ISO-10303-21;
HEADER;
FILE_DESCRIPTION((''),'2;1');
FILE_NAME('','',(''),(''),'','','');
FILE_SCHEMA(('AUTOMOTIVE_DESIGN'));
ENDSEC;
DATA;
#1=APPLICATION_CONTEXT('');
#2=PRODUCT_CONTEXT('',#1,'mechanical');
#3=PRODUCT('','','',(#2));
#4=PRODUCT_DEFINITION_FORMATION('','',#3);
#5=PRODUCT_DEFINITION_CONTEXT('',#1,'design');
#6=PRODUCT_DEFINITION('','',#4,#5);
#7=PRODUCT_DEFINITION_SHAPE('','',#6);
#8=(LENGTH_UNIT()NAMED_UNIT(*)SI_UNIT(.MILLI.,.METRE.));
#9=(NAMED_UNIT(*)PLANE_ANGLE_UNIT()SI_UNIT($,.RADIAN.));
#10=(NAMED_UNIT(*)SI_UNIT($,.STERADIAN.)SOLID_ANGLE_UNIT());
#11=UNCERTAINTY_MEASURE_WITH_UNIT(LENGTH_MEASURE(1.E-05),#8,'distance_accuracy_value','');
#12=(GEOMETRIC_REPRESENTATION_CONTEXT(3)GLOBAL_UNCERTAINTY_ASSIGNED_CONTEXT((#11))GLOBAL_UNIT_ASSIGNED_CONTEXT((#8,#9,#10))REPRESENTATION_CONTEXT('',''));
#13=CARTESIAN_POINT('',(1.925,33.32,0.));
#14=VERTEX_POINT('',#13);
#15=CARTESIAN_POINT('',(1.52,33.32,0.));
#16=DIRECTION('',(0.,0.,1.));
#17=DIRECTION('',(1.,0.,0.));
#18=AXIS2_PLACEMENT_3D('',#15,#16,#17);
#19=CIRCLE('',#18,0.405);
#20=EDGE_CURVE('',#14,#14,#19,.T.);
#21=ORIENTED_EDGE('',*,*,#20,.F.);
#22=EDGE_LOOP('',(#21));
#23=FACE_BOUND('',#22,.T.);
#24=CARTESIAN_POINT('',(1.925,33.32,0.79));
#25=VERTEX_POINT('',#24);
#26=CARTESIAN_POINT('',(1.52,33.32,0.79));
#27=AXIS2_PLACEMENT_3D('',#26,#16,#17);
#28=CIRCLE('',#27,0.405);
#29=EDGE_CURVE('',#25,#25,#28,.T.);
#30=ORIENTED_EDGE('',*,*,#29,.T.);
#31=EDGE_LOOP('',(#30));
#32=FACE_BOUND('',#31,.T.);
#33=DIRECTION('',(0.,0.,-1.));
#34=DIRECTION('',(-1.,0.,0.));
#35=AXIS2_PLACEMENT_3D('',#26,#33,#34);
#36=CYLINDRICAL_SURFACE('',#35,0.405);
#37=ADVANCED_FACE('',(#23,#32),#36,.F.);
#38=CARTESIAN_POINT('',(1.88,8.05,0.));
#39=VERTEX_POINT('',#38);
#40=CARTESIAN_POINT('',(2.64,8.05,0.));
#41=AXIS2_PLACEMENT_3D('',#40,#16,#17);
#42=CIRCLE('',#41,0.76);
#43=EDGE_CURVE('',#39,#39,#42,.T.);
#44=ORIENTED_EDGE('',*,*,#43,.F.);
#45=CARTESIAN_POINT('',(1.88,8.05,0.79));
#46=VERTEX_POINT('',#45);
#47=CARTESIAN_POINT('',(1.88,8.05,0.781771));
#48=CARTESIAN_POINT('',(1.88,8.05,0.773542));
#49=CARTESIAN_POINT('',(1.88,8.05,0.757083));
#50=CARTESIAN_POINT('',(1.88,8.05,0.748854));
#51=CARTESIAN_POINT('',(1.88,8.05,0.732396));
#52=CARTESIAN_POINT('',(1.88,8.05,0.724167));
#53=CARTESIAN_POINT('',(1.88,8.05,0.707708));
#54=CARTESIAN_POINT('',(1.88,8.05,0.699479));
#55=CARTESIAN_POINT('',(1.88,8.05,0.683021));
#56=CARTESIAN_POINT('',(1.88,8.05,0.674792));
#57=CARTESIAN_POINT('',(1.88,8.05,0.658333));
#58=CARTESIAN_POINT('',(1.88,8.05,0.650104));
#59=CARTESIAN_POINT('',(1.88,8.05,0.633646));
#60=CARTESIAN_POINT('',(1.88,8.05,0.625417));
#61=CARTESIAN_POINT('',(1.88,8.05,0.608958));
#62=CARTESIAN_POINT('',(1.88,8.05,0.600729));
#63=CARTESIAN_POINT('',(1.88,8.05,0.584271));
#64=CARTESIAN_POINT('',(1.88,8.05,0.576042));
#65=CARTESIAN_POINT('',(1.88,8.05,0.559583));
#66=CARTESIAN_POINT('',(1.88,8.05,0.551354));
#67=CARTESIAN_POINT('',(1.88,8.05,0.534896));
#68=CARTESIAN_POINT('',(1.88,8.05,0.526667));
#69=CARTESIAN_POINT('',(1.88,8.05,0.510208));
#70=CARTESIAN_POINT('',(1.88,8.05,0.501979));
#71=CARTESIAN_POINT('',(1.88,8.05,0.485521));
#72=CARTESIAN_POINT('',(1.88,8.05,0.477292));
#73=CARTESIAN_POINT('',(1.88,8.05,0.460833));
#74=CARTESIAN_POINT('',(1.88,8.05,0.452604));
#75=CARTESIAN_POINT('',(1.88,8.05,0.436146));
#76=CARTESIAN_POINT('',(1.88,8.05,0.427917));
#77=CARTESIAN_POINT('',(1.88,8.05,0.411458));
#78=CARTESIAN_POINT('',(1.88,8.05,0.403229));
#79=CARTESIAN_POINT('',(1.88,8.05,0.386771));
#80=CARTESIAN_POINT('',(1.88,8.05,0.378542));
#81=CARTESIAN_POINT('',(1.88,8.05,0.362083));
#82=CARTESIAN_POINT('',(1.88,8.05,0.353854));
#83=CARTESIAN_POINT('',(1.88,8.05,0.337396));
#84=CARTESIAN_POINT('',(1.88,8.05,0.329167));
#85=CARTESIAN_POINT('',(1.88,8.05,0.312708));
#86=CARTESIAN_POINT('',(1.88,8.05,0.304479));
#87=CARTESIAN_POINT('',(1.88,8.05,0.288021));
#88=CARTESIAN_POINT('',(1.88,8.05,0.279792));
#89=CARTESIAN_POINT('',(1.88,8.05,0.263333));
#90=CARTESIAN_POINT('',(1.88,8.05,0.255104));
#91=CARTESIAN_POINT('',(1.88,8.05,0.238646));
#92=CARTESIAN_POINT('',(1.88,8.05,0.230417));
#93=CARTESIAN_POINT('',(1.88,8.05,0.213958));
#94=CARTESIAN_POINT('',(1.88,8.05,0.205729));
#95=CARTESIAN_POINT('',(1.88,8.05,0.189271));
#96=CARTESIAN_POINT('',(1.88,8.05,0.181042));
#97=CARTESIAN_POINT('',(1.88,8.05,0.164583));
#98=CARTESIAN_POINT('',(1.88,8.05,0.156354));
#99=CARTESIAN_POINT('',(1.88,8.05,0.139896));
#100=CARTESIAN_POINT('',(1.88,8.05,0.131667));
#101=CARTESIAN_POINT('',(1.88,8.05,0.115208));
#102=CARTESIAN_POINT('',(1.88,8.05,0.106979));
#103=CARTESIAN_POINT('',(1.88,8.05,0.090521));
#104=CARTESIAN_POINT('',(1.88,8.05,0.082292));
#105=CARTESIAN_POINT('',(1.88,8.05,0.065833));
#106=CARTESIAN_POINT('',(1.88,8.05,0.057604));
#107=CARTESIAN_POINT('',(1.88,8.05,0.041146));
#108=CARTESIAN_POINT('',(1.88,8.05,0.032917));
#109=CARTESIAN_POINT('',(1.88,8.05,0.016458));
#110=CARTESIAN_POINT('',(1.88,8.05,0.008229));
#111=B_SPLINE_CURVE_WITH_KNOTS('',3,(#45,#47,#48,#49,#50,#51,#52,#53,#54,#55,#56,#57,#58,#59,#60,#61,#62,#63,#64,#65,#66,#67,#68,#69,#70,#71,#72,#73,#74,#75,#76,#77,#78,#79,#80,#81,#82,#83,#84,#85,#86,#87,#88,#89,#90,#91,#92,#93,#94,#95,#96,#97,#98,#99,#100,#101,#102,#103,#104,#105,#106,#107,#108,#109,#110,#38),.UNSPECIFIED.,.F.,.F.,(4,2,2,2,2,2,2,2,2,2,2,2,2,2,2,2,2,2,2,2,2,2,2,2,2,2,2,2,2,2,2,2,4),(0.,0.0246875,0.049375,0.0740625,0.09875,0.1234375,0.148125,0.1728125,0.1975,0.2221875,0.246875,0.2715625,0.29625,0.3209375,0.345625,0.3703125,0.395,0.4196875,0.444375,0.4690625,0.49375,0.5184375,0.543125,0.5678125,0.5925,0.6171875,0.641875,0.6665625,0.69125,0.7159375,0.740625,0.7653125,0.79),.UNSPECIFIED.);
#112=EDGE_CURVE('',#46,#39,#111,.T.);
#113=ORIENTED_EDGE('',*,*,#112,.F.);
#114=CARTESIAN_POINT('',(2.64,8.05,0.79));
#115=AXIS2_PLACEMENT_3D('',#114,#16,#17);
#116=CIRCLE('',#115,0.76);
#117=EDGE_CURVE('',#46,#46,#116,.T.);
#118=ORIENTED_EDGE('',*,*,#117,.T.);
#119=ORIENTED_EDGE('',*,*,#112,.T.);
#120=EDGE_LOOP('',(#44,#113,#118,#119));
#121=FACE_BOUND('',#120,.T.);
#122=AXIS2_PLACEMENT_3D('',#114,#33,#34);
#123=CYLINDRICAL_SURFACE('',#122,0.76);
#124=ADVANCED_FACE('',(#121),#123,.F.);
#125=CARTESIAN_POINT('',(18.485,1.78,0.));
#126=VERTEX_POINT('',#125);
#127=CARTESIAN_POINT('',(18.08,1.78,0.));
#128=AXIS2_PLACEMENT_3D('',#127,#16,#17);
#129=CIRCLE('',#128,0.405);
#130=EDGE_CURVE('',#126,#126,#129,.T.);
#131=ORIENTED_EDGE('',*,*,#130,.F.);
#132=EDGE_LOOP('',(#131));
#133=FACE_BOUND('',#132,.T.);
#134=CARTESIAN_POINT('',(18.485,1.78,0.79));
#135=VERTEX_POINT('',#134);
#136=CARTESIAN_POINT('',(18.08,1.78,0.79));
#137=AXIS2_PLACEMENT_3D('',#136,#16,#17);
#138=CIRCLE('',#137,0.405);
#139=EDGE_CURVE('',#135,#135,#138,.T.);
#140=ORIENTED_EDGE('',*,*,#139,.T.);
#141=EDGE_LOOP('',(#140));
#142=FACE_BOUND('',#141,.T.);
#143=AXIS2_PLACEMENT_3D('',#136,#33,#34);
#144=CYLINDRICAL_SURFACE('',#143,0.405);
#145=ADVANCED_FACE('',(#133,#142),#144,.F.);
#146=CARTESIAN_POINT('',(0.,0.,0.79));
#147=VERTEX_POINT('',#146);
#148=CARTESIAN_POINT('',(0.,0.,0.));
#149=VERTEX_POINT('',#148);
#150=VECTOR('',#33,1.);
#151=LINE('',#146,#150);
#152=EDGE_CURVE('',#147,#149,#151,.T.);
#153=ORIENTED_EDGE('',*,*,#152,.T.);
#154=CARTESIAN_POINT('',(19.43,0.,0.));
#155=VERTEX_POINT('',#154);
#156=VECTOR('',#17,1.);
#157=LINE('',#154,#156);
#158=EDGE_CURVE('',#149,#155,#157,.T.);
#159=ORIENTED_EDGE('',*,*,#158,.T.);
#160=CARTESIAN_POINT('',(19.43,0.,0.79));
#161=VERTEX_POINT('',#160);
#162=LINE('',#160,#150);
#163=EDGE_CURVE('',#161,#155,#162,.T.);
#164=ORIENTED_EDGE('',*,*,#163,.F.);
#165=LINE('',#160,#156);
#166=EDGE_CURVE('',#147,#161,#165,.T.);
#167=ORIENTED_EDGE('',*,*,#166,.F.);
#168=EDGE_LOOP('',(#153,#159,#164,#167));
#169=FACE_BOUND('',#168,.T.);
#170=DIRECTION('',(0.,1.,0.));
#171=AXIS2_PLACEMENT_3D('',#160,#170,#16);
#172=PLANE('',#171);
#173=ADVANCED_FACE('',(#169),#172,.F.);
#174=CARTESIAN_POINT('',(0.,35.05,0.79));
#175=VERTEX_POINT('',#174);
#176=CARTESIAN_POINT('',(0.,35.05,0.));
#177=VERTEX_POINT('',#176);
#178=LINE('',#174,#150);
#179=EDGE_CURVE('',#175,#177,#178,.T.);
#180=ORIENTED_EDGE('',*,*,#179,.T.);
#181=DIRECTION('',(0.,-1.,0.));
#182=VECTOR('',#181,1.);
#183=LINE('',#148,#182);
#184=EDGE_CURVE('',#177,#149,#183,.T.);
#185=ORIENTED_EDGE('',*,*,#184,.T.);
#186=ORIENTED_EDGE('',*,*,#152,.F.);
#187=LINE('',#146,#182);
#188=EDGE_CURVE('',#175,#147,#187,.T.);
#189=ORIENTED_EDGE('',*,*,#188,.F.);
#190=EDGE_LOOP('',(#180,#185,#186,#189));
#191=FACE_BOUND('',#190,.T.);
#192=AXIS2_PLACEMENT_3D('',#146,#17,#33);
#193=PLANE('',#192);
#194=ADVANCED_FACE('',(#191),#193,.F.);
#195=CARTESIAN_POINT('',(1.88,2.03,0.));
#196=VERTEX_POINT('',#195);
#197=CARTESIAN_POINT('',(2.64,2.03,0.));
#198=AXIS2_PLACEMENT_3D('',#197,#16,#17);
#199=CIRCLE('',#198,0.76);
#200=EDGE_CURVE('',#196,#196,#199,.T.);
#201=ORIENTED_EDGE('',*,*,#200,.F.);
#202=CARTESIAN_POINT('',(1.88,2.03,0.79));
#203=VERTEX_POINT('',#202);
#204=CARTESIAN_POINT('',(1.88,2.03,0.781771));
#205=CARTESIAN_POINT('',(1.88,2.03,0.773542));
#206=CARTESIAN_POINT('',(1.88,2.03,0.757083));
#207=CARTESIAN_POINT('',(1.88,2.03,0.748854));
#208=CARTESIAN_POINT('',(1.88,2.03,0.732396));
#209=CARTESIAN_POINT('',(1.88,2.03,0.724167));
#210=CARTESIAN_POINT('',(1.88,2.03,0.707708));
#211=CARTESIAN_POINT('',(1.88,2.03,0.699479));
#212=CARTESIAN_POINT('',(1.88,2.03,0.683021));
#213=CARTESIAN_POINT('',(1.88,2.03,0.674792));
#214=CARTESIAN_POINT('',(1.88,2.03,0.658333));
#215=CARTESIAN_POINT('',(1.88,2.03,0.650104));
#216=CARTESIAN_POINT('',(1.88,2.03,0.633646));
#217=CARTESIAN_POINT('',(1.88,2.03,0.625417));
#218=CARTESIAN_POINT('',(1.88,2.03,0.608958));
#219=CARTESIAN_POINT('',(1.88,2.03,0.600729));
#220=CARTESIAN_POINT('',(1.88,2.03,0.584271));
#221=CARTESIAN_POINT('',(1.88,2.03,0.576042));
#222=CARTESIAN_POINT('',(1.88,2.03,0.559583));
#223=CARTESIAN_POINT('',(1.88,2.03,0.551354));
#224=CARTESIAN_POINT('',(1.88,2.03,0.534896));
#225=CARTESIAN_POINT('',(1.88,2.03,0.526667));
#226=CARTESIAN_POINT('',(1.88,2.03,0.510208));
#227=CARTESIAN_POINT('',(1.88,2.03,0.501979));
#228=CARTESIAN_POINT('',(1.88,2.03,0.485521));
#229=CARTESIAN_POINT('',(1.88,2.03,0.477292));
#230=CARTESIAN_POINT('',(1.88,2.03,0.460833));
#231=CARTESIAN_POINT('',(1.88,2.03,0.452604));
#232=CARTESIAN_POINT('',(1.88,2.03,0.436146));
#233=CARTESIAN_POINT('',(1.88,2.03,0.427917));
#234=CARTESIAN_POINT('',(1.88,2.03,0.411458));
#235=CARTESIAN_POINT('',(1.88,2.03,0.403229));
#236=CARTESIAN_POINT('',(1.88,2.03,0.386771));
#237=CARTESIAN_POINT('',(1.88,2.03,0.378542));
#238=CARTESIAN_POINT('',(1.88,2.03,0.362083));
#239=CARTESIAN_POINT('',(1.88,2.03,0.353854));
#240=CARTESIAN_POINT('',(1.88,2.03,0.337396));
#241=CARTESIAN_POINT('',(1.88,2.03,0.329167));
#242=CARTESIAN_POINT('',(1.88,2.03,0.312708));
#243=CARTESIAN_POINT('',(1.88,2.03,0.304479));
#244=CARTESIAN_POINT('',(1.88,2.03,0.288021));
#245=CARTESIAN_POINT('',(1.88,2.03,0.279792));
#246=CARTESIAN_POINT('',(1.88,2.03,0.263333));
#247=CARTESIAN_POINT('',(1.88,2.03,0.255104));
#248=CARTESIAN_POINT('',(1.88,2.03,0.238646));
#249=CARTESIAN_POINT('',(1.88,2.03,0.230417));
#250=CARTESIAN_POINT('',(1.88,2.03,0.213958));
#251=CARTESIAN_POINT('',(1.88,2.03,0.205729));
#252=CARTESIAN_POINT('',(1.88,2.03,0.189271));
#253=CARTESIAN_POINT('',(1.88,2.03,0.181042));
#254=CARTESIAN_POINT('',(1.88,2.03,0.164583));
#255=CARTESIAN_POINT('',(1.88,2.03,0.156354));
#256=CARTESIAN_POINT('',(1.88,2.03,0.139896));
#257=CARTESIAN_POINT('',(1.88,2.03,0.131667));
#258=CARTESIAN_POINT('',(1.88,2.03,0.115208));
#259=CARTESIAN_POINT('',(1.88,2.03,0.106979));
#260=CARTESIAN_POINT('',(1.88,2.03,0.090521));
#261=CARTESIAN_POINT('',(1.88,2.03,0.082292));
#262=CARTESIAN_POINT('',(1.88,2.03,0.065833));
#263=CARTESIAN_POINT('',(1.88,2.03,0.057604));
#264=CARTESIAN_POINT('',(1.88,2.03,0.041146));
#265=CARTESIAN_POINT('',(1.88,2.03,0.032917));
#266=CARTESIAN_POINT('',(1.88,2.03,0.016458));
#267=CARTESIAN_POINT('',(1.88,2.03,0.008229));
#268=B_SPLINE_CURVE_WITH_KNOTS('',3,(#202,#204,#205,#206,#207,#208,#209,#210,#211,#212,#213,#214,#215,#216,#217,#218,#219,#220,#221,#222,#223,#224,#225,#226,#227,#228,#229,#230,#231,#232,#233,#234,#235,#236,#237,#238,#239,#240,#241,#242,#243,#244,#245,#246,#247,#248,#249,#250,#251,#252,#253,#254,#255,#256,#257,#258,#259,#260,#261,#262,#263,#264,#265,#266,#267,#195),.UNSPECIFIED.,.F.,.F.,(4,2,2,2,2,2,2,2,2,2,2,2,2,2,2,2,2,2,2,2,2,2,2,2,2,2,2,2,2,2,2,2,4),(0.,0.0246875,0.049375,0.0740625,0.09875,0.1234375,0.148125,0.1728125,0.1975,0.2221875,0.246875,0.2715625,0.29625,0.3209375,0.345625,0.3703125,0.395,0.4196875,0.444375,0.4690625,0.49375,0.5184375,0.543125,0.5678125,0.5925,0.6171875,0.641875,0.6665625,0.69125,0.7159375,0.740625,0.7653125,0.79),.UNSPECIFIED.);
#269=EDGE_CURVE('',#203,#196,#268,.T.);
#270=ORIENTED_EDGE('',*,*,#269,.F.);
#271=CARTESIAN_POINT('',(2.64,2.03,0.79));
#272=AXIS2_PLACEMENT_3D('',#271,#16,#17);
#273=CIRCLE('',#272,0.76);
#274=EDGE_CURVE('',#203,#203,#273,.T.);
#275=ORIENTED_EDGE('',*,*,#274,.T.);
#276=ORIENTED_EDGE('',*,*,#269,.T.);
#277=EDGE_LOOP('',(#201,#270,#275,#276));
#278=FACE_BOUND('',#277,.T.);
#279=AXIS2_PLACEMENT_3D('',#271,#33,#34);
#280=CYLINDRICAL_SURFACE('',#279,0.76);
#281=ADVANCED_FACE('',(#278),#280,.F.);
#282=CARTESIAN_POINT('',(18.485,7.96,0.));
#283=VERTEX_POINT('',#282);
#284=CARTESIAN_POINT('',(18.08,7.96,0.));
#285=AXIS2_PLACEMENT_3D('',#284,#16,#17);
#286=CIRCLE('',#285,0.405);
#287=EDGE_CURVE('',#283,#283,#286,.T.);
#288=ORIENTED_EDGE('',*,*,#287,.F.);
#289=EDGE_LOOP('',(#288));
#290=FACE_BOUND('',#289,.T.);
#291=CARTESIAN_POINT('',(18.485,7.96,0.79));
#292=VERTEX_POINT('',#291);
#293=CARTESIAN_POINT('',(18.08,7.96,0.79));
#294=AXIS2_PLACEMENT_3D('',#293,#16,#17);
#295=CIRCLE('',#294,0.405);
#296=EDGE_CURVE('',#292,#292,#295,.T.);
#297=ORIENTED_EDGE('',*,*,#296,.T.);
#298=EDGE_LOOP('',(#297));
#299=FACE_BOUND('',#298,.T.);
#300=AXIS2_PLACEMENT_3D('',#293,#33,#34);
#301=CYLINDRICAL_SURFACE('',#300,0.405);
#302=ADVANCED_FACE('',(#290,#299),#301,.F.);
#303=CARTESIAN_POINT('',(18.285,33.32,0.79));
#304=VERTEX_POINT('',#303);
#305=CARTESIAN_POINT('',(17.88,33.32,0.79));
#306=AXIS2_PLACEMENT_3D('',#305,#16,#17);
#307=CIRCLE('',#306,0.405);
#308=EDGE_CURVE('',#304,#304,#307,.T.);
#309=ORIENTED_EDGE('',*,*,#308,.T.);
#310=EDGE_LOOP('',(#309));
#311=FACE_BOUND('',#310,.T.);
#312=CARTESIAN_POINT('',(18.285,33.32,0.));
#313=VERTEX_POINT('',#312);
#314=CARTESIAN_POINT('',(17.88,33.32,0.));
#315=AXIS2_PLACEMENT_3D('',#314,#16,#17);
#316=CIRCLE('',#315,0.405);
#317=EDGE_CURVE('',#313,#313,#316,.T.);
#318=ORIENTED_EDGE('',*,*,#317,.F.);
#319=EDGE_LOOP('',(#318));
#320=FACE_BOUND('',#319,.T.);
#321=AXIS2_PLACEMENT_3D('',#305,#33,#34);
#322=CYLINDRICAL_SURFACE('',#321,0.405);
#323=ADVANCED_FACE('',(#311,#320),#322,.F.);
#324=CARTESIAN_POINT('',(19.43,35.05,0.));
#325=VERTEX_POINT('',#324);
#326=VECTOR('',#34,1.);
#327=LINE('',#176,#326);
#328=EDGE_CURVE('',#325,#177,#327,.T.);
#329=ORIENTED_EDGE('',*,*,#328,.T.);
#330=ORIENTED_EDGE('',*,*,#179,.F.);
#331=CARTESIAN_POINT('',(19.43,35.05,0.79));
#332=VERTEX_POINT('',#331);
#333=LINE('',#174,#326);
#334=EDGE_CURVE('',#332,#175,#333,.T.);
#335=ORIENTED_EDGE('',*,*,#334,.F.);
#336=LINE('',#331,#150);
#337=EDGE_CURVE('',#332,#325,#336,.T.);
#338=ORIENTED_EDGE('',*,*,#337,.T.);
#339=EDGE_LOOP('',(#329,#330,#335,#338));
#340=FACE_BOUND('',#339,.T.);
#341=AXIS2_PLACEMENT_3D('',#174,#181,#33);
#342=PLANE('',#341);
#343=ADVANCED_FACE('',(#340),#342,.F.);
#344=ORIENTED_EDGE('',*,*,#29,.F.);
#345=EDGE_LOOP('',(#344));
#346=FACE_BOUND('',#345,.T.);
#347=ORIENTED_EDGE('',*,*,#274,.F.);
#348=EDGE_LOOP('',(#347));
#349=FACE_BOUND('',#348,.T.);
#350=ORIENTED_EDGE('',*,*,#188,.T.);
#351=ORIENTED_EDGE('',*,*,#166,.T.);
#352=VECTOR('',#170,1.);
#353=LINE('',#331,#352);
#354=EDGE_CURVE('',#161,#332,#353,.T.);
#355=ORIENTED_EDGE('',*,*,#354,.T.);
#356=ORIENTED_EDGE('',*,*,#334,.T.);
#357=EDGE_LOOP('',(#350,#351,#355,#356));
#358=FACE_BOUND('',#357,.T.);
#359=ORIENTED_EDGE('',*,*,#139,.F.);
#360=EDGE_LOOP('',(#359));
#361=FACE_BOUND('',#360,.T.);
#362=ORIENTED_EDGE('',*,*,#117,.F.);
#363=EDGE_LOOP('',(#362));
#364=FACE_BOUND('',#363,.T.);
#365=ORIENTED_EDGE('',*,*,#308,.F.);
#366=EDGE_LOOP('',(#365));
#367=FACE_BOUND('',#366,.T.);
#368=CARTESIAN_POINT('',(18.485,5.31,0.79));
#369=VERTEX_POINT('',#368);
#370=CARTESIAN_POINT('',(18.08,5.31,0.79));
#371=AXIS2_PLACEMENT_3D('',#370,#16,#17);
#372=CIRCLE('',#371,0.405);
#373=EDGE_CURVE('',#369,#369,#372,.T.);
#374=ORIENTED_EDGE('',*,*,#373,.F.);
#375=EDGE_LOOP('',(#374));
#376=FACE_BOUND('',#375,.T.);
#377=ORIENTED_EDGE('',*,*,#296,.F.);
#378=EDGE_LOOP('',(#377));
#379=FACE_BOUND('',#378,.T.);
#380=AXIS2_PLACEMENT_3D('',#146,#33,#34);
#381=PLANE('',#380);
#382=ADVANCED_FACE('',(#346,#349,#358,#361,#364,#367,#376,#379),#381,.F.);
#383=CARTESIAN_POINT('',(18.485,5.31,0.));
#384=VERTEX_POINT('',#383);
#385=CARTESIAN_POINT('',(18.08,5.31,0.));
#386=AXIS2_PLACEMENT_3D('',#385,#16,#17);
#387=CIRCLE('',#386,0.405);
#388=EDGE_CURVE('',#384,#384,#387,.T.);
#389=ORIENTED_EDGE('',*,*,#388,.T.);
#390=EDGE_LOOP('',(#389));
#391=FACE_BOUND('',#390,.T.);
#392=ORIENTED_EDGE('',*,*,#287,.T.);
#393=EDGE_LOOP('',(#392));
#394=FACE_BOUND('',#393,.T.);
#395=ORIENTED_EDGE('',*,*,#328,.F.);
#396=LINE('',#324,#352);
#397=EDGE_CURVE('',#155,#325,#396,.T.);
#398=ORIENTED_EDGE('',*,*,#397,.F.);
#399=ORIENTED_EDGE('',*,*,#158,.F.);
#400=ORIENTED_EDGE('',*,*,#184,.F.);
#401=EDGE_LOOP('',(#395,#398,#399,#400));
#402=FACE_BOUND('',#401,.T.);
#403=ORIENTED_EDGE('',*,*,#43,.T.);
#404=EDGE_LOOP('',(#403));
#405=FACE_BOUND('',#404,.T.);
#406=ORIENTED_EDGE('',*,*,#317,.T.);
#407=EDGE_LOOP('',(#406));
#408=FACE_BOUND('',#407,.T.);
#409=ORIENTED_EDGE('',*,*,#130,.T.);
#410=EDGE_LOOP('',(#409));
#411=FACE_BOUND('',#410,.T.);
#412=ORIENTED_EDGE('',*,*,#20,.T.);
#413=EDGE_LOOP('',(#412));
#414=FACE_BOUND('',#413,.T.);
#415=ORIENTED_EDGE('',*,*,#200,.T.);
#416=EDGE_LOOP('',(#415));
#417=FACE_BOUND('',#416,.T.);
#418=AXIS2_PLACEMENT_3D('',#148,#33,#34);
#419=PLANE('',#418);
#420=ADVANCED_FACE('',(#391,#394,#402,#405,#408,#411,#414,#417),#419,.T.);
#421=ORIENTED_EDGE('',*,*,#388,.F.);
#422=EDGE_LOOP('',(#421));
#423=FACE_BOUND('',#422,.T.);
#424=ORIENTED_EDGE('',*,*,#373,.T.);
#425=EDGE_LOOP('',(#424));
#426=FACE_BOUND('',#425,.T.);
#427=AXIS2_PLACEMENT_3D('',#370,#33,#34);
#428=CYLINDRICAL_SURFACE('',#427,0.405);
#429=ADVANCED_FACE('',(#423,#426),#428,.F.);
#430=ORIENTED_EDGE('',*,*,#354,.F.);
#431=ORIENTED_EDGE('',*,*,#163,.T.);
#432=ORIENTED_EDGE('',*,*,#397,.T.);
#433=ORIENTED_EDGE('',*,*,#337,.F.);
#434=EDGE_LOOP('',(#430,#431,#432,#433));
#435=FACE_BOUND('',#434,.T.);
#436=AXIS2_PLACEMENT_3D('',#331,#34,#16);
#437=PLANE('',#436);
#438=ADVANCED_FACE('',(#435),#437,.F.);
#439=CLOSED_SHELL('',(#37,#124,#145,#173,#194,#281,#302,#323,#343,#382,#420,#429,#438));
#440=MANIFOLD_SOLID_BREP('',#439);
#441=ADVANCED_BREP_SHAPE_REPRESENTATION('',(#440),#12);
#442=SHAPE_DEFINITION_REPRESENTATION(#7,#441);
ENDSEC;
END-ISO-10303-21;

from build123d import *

# Parameters (mm, degrees)
SKETCH1_W           = 19.43
SKETCH1_H           = 35.05
BOARD_OUTLINE_DEPTH = 0.79
SKETCH2_R           = 0.405
SKETCH2_R_2         = 0.76
PTH_DEPTH           = 41.083057518


with BuildPart() as part:
    # Sketch1 → Board_Outline (new body)
    with BuildSketch(Plane.XY):
        with Locations((9.715, 17.525)):
            Rectangle(SKETCH1_W, SKETCH1_H)
    extrude(amount=BOARD_OUTLINE_DEPTH)

    # Sketch2 → PTH (cut, through all)
    with BuildSketch(Plane.XY):
        with Locations((18.08, 5.31)):
            Circle(SKETCH2_R)
        with Locations((17.88, 33.32)):
            Circle(SKETCH2_R)
        with Locations(Location((2.64, 8.05, 0), (0, 0, 180))):
            Circle(SKETCH2_R_2)
        with Locations(Location((2.64, 2.03, 0), (0, 0, 180))):
            Circle(SKETCH2_R_2)
        with Locations((18.08, 7.96)):
            Circle(SKETCH2_R)
        with Locations((1.52, 33.32)):
            Circle(SKETCH2_R)
        with Locations((18.08, 1.78)):
            Circle(SKETCH2_R)
    extrude(amount=PTH_DEPTH, mode=Mode.SUBTRACT)


solid = part.part
